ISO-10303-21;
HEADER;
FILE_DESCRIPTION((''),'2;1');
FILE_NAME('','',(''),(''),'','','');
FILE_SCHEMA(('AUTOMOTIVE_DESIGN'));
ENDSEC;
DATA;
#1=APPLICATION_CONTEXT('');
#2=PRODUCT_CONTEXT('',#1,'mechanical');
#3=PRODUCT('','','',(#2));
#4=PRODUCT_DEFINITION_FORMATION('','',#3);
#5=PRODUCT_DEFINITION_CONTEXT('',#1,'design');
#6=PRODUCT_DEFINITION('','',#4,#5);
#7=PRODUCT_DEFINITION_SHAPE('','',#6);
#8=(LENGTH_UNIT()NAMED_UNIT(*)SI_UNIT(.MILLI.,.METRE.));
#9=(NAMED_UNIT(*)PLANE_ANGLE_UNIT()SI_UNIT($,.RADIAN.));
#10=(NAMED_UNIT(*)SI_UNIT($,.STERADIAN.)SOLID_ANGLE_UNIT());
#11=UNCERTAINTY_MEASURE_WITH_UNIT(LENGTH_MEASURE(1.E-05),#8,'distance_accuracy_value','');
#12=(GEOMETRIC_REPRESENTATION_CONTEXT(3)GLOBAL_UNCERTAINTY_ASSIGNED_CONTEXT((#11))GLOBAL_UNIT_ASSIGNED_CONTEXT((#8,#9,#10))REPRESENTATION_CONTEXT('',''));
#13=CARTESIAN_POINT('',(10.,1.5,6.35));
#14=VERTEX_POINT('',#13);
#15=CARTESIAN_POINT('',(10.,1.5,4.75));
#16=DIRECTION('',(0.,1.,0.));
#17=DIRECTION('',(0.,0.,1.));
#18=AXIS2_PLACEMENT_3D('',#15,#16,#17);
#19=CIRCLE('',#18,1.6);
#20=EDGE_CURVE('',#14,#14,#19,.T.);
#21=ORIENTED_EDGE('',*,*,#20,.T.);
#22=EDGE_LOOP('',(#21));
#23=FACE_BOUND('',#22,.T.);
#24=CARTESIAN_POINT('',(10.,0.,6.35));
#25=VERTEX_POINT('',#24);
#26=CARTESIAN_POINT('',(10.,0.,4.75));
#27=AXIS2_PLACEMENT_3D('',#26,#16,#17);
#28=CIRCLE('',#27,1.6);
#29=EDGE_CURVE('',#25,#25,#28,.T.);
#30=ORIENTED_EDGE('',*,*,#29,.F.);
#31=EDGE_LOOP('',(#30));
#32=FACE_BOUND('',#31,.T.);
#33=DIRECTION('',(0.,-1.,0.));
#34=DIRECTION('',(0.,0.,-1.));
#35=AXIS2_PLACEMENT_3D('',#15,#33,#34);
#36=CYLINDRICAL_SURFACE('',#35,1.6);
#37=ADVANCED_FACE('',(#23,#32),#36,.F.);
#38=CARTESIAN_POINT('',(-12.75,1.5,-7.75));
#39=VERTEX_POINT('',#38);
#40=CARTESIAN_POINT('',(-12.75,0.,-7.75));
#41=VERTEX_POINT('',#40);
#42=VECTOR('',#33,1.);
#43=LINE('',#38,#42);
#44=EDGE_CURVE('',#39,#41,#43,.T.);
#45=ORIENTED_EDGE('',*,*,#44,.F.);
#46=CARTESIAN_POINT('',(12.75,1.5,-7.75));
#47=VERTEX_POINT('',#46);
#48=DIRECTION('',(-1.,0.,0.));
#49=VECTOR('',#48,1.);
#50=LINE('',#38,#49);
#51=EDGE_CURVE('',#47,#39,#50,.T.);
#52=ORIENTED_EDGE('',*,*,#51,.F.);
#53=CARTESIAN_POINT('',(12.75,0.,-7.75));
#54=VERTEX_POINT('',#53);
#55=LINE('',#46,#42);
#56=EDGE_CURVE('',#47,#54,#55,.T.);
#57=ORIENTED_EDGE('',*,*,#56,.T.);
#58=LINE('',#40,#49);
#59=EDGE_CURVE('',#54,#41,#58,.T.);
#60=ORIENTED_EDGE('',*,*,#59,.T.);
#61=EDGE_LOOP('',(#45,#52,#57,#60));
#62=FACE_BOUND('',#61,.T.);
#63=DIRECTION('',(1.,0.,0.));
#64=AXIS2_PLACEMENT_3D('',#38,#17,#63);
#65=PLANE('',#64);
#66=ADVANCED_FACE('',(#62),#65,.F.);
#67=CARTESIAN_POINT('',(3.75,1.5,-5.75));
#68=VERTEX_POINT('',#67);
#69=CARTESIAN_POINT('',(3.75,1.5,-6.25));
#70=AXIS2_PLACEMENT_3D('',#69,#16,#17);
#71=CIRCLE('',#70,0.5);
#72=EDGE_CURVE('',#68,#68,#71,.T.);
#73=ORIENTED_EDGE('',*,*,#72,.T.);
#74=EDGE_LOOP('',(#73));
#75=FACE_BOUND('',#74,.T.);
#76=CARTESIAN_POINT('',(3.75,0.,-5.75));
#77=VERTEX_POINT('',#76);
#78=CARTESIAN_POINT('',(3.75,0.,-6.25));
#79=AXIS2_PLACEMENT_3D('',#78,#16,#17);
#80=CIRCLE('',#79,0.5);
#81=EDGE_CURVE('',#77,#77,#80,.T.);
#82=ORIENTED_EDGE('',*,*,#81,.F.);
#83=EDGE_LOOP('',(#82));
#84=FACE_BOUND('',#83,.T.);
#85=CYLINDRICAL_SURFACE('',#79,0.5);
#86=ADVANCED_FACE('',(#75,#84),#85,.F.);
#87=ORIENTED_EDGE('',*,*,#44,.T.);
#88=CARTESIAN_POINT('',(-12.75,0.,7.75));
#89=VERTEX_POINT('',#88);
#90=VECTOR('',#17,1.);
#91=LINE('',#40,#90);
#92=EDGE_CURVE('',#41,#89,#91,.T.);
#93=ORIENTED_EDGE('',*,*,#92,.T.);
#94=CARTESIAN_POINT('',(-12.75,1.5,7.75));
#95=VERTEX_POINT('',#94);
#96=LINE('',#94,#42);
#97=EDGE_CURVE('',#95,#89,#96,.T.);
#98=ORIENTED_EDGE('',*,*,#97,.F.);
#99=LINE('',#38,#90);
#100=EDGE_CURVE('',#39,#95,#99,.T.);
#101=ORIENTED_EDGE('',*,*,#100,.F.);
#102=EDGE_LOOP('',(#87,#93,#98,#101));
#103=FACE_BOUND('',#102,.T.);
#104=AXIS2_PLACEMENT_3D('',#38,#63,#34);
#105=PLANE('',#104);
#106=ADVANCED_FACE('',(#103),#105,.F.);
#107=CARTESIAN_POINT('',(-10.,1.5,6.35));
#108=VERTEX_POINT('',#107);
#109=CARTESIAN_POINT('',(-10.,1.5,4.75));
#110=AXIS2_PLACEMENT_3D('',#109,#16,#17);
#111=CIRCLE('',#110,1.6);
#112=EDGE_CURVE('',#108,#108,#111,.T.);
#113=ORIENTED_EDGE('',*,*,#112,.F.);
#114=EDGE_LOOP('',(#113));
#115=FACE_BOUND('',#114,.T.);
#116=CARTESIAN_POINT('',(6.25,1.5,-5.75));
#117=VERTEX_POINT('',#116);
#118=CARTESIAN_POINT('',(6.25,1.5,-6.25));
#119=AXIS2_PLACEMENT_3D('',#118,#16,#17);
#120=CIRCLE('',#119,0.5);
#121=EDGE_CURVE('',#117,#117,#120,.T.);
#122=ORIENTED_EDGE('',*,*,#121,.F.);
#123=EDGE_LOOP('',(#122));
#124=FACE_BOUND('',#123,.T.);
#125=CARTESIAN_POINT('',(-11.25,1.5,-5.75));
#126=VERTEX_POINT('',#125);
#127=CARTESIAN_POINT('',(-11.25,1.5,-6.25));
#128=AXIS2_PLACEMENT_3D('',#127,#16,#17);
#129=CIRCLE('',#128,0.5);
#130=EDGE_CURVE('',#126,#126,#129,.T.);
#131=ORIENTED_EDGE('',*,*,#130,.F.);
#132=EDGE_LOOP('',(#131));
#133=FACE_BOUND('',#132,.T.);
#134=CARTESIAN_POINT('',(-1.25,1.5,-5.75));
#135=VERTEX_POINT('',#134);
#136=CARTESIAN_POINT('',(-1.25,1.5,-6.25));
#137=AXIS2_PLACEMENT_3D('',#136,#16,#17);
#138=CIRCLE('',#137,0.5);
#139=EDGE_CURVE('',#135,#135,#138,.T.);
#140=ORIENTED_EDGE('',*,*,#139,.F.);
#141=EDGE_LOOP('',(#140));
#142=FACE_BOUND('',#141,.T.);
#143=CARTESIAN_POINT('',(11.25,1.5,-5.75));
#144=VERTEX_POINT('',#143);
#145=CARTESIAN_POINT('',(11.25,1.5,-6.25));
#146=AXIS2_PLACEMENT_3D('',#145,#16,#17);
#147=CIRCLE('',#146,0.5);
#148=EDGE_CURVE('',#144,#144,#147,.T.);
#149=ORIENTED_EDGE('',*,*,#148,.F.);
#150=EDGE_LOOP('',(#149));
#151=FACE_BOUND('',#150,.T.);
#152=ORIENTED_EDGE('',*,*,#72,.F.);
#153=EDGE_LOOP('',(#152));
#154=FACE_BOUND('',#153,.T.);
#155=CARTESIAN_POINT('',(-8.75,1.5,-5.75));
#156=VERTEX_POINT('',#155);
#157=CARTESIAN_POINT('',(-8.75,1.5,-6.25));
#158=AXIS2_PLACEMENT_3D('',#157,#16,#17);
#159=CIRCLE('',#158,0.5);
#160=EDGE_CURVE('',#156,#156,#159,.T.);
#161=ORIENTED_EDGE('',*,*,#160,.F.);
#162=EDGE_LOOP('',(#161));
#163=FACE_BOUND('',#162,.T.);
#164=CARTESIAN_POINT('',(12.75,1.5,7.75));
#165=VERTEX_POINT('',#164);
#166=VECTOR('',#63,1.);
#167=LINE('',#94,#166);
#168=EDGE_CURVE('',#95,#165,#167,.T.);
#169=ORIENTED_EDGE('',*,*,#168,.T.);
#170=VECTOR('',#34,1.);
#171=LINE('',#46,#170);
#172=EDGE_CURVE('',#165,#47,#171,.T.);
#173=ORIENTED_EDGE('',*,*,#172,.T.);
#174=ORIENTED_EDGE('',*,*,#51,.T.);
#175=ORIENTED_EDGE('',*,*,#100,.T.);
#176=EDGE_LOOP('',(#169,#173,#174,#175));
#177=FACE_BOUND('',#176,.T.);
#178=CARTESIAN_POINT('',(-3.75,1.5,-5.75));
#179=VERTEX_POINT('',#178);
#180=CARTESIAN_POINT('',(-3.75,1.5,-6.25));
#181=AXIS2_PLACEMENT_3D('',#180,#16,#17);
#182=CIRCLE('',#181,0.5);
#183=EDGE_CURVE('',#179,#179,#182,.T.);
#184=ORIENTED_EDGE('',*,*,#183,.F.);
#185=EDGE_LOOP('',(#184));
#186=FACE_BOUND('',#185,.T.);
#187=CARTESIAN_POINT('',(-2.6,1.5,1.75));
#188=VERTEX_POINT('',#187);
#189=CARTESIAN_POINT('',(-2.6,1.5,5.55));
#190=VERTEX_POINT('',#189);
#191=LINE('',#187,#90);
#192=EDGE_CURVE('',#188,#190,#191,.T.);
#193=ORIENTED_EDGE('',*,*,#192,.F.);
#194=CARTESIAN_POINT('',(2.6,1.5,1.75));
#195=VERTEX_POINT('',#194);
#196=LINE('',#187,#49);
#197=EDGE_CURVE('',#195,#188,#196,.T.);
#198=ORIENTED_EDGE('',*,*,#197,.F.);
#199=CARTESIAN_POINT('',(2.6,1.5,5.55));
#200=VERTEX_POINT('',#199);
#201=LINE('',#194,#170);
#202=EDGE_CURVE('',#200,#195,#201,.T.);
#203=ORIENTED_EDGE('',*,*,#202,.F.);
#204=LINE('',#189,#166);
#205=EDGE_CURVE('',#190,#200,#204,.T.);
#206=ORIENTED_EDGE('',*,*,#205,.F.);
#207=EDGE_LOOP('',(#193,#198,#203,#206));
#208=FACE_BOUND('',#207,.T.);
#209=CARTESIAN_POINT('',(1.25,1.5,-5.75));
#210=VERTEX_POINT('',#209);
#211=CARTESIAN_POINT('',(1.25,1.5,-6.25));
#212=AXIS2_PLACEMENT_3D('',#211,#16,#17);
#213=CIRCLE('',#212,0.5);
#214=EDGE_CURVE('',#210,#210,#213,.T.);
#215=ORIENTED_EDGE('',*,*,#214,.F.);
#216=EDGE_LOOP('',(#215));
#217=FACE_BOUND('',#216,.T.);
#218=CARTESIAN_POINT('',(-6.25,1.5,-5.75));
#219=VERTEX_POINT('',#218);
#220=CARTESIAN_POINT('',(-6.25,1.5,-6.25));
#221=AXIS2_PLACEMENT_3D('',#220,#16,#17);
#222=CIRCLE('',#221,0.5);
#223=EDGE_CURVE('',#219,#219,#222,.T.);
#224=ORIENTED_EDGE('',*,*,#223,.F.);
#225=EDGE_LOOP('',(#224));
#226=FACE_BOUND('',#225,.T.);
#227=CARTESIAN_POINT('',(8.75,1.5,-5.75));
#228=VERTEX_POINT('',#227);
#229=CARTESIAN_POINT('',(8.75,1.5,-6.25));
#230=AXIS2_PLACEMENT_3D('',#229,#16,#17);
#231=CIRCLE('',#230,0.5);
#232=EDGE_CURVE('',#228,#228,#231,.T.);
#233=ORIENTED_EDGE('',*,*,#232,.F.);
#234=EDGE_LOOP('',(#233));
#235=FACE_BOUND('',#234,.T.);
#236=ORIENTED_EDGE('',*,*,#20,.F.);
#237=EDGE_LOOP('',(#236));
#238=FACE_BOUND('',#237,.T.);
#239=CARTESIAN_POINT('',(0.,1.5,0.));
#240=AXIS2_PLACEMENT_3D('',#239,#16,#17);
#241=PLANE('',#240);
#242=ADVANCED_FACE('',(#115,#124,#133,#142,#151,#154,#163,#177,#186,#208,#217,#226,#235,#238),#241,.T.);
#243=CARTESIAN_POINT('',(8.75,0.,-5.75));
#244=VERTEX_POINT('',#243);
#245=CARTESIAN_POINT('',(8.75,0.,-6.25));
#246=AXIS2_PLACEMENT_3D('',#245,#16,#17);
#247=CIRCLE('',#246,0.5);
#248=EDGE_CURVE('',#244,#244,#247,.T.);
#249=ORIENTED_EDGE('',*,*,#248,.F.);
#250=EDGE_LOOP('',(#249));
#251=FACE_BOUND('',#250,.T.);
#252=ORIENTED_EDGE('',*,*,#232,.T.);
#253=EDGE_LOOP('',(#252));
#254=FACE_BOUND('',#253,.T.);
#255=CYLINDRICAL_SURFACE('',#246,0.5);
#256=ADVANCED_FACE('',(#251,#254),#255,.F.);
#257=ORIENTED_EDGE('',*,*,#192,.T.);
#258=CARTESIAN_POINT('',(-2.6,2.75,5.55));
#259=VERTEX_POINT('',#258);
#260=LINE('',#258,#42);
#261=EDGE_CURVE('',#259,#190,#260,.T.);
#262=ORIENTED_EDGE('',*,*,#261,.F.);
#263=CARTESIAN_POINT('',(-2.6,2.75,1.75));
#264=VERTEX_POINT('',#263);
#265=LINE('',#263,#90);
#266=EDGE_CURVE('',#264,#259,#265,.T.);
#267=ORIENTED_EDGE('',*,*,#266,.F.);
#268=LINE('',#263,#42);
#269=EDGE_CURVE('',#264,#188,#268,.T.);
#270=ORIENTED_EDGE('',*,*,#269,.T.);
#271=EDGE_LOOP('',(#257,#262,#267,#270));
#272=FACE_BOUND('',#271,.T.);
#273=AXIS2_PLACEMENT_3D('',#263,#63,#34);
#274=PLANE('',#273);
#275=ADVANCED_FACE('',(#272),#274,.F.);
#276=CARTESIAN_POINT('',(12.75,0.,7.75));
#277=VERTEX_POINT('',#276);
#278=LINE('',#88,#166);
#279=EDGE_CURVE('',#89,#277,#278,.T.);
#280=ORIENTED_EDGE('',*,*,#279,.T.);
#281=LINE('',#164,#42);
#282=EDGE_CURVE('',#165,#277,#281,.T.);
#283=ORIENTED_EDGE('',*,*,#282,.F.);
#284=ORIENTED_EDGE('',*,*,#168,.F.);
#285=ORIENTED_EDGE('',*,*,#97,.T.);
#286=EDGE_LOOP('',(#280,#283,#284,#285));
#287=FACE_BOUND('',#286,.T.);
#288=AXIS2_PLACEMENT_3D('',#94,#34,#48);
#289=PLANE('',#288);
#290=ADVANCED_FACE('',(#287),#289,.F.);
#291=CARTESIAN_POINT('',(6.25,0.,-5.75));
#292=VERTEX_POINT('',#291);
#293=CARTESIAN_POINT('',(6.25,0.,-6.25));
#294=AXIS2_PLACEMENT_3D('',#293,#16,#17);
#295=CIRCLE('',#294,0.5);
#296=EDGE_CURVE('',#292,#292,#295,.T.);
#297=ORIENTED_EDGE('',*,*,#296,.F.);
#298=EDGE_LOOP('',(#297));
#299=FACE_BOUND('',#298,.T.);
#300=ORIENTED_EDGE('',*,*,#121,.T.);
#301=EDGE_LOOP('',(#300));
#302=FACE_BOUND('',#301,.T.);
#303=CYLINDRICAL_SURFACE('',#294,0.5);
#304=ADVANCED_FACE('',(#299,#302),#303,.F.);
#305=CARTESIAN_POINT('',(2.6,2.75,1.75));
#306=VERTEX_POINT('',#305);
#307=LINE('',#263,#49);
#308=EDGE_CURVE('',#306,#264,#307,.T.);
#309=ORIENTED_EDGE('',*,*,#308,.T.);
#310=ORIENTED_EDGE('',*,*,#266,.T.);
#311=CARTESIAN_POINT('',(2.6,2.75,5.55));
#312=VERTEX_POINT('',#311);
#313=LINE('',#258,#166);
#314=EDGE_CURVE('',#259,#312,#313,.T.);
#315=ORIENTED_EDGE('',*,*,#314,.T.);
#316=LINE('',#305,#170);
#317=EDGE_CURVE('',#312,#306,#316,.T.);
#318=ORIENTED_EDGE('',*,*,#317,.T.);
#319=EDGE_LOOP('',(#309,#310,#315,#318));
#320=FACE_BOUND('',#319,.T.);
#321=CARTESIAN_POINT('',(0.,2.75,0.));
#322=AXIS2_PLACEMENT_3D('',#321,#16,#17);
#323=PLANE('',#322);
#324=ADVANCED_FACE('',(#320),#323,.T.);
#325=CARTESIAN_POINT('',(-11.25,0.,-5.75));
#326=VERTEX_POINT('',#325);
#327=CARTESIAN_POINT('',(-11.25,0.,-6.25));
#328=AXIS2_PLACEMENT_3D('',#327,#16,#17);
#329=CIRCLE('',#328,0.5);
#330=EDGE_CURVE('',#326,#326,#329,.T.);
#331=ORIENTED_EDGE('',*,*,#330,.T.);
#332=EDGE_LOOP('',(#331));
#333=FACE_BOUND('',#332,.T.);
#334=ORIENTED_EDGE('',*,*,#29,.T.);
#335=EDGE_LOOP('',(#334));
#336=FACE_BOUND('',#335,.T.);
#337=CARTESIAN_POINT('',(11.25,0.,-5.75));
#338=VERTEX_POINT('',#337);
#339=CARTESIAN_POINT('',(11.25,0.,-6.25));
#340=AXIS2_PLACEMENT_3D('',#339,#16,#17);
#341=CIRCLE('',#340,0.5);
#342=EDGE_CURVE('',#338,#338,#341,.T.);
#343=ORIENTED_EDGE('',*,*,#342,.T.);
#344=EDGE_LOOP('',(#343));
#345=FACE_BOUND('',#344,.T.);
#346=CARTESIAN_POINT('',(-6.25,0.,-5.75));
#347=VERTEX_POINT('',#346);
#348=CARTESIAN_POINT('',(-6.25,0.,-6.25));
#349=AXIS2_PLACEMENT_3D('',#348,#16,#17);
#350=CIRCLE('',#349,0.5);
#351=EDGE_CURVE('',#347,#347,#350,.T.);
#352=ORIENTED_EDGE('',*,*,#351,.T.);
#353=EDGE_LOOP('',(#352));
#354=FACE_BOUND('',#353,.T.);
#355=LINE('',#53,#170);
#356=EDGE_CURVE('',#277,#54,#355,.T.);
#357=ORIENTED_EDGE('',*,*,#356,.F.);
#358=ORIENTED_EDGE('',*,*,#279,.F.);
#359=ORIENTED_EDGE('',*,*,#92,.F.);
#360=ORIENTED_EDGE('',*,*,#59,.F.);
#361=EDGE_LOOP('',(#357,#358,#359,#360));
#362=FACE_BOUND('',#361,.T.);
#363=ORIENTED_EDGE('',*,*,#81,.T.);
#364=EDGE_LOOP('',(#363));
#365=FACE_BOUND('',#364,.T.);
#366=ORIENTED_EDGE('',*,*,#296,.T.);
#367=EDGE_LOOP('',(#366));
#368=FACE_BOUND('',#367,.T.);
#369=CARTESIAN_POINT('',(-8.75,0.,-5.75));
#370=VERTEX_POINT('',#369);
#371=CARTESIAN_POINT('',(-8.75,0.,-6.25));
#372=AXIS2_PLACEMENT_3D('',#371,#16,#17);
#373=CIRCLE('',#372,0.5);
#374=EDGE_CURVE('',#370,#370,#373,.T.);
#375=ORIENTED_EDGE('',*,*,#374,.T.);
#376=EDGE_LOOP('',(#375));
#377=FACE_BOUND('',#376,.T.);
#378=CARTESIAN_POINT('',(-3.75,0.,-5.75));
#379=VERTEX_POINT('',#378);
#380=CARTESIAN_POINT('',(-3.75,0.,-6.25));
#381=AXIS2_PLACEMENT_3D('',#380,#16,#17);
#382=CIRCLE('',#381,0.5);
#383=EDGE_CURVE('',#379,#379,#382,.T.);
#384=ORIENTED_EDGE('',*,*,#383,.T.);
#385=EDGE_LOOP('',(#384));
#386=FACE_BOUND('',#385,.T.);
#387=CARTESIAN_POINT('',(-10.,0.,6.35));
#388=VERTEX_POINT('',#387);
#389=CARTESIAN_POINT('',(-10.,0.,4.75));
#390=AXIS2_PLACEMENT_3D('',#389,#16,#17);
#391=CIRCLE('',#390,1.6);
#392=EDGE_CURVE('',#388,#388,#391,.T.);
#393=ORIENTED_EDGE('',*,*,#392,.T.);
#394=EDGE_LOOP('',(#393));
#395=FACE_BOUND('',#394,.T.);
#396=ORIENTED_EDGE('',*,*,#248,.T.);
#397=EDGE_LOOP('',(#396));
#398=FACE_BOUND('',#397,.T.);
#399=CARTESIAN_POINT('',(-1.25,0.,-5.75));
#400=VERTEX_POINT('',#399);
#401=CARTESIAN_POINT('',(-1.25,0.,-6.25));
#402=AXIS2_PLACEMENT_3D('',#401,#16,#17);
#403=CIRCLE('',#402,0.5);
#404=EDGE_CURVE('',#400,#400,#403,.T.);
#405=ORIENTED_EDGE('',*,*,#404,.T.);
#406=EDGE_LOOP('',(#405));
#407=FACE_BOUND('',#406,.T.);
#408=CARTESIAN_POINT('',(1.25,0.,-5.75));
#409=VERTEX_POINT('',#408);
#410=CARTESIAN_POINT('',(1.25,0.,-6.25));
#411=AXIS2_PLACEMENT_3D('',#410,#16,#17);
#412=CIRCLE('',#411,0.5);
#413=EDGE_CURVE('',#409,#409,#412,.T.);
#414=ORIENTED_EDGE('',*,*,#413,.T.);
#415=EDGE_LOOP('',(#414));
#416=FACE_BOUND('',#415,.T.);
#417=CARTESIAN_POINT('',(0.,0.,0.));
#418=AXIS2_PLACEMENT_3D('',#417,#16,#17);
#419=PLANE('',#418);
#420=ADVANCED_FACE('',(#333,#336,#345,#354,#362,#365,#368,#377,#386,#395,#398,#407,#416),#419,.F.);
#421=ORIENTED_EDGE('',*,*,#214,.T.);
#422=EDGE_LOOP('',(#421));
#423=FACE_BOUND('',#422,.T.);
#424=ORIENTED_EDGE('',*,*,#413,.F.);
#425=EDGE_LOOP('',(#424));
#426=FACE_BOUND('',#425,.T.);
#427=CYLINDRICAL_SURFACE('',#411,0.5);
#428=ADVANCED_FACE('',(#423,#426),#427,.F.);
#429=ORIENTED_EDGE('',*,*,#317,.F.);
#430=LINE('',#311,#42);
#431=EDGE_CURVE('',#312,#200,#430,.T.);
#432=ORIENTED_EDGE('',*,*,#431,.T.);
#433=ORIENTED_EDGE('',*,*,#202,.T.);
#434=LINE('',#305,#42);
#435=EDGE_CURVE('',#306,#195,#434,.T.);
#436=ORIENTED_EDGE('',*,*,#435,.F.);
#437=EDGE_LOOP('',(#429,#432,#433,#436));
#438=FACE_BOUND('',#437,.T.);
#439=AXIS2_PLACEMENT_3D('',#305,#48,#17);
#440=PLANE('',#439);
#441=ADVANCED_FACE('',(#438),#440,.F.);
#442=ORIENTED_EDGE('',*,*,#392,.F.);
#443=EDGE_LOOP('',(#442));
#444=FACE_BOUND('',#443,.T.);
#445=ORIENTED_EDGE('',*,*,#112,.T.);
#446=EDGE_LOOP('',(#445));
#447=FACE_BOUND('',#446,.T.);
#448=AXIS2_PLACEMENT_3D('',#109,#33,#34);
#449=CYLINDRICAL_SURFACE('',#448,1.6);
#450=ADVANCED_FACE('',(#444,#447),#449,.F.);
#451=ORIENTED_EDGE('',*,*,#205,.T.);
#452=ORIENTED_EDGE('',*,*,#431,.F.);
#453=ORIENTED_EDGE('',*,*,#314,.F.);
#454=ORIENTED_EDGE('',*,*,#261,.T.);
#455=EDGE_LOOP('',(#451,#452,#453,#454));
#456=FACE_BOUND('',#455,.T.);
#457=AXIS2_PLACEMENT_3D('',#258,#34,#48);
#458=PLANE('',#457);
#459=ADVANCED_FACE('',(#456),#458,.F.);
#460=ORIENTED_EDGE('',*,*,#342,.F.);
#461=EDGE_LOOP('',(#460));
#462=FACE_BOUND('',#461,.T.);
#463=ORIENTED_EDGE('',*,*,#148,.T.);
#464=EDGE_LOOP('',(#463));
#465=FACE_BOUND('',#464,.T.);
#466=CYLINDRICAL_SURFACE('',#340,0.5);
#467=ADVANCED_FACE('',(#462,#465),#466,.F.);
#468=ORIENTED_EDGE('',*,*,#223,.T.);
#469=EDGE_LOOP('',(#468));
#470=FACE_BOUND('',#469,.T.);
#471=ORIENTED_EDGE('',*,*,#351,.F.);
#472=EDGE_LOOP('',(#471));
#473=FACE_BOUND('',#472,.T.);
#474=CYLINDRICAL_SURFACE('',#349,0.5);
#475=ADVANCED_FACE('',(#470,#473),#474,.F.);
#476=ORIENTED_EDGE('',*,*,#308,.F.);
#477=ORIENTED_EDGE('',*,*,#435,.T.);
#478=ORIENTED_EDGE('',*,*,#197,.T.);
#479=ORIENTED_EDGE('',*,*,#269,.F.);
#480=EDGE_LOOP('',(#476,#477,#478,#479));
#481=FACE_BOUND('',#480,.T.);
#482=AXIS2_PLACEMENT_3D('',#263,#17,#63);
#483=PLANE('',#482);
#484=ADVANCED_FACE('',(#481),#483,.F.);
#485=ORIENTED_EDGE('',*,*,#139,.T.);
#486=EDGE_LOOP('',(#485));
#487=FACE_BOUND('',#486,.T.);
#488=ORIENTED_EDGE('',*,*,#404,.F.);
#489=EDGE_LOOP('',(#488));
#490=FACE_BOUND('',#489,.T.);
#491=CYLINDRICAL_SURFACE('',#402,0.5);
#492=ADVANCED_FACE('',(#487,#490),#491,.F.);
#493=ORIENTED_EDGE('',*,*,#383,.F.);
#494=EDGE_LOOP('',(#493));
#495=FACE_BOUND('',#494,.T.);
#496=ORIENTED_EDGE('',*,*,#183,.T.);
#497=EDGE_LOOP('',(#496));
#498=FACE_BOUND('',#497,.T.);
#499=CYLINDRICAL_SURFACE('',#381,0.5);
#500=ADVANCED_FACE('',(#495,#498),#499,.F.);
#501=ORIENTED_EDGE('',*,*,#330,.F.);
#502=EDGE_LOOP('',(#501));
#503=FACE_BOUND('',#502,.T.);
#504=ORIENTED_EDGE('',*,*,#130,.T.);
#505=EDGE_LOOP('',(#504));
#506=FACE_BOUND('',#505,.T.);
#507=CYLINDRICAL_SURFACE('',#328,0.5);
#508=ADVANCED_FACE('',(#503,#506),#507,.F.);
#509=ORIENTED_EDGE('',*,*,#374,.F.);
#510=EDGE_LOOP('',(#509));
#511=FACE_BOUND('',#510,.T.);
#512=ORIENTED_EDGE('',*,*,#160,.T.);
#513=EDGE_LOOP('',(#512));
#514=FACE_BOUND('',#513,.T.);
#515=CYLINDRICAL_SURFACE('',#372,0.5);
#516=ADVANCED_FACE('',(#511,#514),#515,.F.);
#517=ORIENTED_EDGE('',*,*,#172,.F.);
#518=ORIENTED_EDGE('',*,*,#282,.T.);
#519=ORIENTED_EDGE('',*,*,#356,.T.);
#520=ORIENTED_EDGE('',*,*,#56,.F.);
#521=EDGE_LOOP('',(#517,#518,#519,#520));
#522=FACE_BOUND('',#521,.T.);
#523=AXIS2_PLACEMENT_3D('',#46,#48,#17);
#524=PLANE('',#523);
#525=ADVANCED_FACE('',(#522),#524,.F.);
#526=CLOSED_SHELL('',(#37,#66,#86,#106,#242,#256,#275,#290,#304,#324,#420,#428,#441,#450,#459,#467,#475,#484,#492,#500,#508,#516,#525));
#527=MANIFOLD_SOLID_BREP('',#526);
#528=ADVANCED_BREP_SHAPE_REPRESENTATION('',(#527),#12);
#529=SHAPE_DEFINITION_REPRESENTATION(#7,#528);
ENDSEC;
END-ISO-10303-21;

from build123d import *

# Parameters (mm, degrees)
SKETCH1_W           = 25.5
SKETCH1_H           = 15.5
SKETCH1_R           = 1.6
BOSS_EXTRUDE1_DEPTH = 1.5
SKETCH2_W           = 5.2
SKETCH2_H           = 3.8
BOSS_EXTRUDE2_DEPTH = 1.25
SKETCH3_R           = 0.5
CUT_EXTRUDE1_DEPTH  = 15.995832754
LPATTERN1_COUNT     = 10
LPATTERN1_PITCH     = 2.5


with BuildPart() as part:
    # Sketch1 → Boss-Extrude1 (new body)
    with BuildSketch(Plane(origin=(0, 0, 0), x_dir=(1, 0, 0), z_dir=(0, 1, 0))):
        Rectangle(SKETCH1_W, SKETCH1_H)
        with Locations(Location((-10, -4.75, 0), (0, 0, 270))):
            Circle(SKETCH1_R, mode=Mode.SUBTRACT)
        with Locations(Location((10, -4.75, 0), (0, 0, 270))):
            Circle(SKETCH1_R, mode=Mode.SUBTRACT)
    extrude(amount=BOSS_EXTRUDE1_DEPTH)

    # Sketch2 → Boss-Extrude2 (add)
    with BuildSketch(Plane(origin=(0, 1.5, 0), x_dir=(1, 0, 0), z_dir=(0, 1, 0))):
        with Locations((0, -3.65)):
            Rectangle(SKETCH2_W, SKETCH2_H)
    extrude(amount=BOSS_EXTRUDE2_DEPTH)

    # Sketch3 → Cut-Extrude1 (cut, through all)
    with BuildSketch(Plane(origin=(0, 1.5, 0), x_dir=(1, 0, 0), z_dir=(0, 1, 0))):
        with Locations(Location((-11.25, 6.25, 0), (0, 0, 270))):
            Circle(SKETCH3_R)
    cut_extrude1 = extrude(amount=-CUT_EXTRUDE1_DEPTH, mode=Mode.SUBTRACT)

    # LPattern1: Cut-Extrude1 ×10
    with Locations(*[(i * LPATTERN1_PITCH, 0, 0) for i in range(1, LPATTERN1_COUNT)]):
        add(cut_extrude1, mode=Mode.SUBTRACT)


solid = part.part
